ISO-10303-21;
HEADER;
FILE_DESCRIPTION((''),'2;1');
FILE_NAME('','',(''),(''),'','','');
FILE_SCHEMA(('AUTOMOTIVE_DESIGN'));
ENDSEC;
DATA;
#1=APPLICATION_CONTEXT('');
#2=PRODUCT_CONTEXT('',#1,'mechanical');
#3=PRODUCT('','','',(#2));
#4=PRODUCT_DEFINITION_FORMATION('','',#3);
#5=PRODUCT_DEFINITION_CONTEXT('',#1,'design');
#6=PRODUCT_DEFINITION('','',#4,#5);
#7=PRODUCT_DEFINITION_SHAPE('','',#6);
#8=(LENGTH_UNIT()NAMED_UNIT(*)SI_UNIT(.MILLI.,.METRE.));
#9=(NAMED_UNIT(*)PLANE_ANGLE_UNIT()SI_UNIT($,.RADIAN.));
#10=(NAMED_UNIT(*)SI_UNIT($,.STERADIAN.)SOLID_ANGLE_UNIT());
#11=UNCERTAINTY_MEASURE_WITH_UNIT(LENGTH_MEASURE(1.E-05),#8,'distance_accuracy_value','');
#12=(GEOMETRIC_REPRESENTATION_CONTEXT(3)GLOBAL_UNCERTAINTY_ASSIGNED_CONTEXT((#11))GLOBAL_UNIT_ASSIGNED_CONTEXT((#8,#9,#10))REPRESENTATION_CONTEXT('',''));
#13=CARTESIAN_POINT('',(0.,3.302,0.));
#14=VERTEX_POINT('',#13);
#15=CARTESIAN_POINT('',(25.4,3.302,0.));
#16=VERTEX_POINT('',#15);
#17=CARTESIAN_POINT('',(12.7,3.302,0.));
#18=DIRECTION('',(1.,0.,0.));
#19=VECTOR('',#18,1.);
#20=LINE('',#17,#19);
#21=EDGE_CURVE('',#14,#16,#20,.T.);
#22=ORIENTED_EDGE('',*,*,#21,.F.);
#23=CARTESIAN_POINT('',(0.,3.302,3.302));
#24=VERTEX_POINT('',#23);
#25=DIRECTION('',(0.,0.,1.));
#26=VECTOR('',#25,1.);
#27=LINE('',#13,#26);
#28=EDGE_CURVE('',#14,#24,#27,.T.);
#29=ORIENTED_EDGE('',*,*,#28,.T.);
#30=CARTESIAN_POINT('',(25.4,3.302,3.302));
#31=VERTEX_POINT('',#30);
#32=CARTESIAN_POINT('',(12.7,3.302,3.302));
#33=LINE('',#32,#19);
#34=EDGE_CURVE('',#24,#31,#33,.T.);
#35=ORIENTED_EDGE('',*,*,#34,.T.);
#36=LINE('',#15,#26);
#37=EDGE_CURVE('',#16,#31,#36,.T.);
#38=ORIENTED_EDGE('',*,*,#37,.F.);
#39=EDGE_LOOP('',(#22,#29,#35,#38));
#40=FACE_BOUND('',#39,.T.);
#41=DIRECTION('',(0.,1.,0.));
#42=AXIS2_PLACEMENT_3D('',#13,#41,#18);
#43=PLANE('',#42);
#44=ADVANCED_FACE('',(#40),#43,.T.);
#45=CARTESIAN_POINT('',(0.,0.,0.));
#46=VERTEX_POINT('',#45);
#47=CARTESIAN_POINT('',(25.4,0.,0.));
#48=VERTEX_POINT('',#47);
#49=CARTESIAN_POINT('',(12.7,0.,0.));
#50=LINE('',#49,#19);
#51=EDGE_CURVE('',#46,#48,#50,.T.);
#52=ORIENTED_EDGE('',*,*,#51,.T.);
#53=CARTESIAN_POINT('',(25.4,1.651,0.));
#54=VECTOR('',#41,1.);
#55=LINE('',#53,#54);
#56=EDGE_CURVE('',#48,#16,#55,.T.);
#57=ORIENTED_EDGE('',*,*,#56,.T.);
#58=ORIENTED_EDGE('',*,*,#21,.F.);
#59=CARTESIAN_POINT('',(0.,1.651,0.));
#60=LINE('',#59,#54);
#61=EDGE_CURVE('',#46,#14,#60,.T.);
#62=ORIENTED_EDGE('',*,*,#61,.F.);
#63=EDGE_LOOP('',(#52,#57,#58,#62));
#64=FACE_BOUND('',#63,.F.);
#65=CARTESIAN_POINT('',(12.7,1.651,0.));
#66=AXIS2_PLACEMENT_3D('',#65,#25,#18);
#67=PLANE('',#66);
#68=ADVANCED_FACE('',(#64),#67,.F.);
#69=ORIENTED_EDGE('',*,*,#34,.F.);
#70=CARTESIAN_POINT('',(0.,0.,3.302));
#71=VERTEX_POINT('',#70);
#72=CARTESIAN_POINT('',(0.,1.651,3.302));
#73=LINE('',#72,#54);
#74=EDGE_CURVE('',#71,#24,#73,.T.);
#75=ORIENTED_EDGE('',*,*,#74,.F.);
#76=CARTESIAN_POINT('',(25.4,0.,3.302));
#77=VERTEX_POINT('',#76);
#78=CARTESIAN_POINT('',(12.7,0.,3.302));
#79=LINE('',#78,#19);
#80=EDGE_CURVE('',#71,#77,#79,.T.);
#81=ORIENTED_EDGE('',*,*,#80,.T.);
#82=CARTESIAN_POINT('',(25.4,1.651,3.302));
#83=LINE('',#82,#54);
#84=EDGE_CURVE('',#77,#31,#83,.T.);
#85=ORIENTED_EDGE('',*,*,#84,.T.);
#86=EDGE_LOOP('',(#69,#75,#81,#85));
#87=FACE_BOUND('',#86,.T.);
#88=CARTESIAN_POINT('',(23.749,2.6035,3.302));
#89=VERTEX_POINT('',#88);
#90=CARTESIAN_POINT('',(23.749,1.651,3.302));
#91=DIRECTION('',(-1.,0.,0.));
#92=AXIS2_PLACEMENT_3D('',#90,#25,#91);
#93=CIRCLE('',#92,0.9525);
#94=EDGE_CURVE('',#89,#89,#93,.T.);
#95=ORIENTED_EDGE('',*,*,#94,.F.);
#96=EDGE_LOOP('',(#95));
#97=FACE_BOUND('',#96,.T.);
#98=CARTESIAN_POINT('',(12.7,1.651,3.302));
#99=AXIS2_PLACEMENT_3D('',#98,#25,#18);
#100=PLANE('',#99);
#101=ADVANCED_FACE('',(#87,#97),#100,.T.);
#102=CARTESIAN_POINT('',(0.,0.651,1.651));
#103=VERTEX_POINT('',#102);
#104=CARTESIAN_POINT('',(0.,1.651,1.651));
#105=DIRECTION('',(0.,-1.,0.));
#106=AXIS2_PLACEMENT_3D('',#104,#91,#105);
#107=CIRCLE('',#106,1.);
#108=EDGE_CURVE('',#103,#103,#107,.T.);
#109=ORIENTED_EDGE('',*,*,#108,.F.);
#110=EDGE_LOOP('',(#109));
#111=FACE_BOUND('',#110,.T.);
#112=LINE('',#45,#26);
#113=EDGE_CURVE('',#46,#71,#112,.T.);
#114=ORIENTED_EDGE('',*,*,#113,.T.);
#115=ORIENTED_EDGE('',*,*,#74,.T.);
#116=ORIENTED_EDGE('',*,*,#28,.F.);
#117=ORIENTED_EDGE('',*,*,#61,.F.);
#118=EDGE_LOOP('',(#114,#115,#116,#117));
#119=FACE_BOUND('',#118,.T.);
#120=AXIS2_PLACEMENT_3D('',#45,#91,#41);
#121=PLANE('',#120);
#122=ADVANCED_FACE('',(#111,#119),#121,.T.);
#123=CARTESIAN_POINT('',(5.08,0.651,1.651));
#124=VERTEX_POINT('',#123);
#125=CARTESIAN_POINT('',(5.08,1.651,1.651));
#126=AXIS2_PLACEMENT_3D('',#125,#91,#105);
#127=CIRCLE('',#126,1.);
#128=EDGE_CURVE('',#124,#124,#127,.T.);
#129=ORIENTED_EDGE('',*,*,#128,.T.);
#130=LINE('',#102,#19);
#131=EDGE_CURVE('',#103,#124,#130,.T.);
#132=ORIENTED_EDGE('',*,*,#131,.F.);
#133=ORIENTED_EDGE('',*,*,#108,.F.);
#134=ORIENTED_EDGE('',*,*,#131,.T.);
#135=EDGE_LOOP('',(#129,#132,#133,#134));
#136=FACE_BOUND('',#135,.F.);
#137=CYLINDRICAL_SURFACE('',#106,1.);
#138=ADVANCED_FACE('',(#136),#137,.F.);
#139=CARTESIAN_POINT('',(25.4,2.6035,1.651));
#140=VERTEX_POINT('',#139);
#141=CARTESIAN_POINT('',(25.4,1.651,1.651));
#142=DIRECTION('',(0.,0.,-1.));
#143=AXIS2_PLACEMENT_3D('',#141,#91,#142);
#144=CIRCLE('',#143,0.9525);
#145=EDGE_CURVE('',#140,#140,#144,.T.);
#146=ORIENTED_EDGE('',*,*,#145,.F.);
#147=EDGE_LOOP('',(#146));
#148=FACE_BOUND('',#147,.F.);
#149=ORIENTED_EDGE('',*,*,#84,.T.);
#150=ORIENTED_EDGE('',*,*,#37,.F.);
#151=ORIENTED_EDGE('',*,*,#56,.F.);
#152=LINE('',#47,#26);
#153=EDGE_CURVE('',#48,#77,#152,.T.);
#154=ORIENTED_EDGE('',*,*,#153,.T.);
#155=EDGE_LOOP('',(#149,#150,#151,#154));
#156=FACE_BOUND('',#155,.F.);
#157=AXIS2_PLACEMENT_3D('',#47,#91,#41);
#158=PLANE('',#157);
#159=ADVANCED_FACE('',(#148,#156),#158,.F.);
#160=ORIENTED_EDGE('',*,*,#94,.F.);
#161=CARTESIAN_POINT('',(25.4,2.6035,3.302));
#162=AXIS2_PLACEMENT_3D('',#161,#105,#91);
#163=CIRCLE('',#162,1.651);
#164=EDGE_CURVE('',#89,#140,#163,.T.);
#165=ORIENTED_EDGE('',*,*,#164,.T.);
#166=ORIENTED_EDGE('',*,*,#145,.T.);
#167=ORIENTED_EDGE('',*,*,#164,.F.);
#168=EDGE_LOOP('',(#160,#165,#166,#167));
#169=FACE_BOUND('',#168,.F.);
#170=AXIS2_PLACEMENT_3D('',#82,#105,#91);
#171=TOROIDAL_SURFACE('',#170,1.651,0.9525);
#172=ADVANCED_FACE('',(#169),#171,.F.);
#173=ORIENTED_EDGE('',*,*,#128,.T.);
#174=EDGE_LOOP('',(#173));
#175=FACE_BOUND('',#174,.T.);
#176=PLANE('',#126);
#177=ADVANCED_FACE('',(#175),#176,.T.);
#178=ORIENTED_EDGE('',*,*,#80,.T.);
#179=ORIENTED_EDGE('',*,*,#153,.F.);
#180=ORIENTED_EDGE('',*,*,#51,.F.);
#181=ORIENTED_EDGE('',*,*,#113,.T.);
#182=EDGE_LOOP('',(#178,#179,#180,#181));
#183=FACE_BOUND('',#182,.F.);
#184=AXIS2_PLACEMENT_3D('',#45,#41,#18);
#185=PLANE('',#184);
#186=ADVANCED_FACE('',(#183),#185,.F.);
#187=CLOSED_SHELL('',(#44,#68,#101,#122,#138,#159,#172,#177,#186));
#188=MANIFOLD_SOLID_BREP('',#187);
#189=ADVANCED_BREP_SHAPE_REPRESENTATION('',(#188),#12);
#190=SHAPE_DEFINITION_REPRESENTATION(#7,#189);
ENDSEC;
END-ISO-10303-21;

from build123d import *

# Parameters (mm, degrees)
F0_W     = 25.4
F0_H     = 3.302
F1_DEPTH = 3.302
F2_R     = 1
F3_DEPTH = 5.08
F4_R     = 0.9525


with BuildPart() as f1:
    # F0 (on Top) → F1 (new body)
    with BuildSketch(Plane.XY):
        with Locations((12.7, 1.651)):
            Rectangle(F0_W, F0_H)
    extrude(amount=F1_DEPTH)

    # F2 (on face) → F3 (cut)
    with BuildSketch(Plane(origin=(0, 0, 0), x_dir=(0, -1, 0), z_dir=(-1, 0, 0))):
        with Locations((-1.651, 1.651)):
            Circle(F2_R)
    extrude(amount=-F3_DEPTH, mode=Mode.SUBTRACT)

    # F7: sweep along a path in F6
    with BuildLine(Plane.XZ.offset(-1.651)) as f7_path:
        ThreePointArc((23.749, 3.302), (24.2325667043, 2.1345667043), (25.4, 1.651))
    # F4 (on face) → F7 (sweep, cut)
    with BuildSketch(Plane.YZ.offset(25.4)):
        with Locations((1.651, 1.651)):
            Circle(F4_R)
    sweep(path=f7_path.line, mode=Mode.SUBTRACT)


solid = f1.part
